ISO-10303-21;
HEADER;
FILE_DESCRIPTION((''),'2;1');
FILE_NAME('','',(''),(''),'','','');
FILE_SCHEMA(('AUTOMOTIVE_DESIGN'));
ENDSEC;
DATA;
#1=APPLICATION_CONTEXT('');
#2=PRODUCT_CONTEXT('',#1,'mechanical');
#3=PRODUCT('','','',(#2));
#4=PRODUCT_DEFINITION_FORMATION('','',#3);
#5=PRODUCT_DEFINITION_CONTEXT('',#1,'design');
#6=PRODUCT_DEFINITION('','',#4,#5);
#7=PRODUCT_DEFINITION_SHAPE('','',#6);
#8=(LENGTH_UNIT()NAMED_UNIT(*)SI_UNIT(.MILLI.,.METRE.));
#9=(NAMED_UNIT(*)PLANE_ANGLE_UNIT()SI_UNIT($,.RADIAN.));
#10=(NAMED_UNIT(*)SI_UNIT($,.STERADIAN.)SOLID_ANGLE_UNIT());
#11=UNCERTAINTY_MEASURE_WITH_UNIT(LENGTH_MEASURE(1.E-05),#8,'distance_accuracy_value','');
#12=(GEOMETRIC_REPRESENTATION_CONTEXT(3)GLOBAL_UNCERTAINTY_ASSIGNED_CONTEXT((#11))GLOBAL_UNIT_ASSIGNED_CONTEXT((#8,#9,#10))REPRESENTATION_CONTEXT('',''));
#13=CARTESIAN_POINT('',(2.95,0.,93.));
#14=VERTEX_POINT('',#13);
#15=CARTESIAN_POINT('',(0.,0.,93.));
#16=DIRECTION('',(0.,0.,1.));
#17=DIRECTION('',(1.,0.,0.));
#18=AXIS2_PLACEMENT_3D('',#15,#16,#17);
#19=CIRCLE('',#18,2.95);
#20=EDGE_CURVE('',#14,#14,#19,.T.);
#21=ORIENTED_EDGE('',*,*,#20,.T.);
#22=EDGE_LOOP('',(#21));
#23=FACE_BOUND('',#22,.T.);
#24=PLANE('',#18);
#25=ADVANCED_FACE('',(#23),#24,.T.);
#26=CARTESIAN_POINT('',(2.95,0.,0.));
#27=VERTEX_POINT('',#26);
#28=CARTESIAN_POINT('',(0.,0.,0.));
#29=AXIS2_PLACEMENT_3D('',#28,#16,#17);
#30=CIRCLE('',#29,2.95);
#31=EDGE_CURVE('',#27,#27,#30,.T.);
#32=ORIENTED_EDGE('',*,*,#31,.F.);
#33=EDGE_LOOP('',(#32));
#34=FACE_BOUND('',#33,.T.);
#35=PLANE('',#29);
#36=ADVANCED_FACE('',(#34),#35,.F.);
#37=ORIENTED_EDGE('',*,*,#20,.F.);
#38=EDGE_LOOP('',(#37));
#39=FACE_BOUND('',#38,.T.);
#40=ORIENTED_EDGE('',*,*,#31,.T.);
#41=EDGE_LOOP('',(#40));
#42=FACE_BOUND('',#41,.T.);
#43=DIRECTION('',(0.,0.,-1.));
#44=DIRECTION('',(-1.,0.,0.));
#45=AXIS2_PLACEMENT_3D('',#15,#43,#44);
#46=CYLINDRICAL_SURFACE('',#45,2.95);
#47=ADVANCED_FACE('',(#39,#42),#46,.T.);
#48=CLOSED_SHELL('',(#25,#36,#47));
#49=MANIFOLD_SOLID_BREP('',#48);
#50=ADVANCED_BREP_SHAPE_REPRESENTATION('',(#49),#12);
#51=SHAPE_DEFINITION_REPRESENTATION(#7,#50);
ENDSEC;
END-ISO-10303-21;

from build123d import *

# Parameters (mm, degrees)
ESQUISSE2_R        = 2.95
BOSS_EXTRU_1_DEPTH = 93


with BuildPart() as part:
    # Esquisse2 → Boss.-Extru.1 (new body)
    with BuildSketch(Plane.XY):
        Circle(ESQUISSE2_R)
    extrude(amount=BOSS_EXTRU_1_DEPTH)


solid = part.part
